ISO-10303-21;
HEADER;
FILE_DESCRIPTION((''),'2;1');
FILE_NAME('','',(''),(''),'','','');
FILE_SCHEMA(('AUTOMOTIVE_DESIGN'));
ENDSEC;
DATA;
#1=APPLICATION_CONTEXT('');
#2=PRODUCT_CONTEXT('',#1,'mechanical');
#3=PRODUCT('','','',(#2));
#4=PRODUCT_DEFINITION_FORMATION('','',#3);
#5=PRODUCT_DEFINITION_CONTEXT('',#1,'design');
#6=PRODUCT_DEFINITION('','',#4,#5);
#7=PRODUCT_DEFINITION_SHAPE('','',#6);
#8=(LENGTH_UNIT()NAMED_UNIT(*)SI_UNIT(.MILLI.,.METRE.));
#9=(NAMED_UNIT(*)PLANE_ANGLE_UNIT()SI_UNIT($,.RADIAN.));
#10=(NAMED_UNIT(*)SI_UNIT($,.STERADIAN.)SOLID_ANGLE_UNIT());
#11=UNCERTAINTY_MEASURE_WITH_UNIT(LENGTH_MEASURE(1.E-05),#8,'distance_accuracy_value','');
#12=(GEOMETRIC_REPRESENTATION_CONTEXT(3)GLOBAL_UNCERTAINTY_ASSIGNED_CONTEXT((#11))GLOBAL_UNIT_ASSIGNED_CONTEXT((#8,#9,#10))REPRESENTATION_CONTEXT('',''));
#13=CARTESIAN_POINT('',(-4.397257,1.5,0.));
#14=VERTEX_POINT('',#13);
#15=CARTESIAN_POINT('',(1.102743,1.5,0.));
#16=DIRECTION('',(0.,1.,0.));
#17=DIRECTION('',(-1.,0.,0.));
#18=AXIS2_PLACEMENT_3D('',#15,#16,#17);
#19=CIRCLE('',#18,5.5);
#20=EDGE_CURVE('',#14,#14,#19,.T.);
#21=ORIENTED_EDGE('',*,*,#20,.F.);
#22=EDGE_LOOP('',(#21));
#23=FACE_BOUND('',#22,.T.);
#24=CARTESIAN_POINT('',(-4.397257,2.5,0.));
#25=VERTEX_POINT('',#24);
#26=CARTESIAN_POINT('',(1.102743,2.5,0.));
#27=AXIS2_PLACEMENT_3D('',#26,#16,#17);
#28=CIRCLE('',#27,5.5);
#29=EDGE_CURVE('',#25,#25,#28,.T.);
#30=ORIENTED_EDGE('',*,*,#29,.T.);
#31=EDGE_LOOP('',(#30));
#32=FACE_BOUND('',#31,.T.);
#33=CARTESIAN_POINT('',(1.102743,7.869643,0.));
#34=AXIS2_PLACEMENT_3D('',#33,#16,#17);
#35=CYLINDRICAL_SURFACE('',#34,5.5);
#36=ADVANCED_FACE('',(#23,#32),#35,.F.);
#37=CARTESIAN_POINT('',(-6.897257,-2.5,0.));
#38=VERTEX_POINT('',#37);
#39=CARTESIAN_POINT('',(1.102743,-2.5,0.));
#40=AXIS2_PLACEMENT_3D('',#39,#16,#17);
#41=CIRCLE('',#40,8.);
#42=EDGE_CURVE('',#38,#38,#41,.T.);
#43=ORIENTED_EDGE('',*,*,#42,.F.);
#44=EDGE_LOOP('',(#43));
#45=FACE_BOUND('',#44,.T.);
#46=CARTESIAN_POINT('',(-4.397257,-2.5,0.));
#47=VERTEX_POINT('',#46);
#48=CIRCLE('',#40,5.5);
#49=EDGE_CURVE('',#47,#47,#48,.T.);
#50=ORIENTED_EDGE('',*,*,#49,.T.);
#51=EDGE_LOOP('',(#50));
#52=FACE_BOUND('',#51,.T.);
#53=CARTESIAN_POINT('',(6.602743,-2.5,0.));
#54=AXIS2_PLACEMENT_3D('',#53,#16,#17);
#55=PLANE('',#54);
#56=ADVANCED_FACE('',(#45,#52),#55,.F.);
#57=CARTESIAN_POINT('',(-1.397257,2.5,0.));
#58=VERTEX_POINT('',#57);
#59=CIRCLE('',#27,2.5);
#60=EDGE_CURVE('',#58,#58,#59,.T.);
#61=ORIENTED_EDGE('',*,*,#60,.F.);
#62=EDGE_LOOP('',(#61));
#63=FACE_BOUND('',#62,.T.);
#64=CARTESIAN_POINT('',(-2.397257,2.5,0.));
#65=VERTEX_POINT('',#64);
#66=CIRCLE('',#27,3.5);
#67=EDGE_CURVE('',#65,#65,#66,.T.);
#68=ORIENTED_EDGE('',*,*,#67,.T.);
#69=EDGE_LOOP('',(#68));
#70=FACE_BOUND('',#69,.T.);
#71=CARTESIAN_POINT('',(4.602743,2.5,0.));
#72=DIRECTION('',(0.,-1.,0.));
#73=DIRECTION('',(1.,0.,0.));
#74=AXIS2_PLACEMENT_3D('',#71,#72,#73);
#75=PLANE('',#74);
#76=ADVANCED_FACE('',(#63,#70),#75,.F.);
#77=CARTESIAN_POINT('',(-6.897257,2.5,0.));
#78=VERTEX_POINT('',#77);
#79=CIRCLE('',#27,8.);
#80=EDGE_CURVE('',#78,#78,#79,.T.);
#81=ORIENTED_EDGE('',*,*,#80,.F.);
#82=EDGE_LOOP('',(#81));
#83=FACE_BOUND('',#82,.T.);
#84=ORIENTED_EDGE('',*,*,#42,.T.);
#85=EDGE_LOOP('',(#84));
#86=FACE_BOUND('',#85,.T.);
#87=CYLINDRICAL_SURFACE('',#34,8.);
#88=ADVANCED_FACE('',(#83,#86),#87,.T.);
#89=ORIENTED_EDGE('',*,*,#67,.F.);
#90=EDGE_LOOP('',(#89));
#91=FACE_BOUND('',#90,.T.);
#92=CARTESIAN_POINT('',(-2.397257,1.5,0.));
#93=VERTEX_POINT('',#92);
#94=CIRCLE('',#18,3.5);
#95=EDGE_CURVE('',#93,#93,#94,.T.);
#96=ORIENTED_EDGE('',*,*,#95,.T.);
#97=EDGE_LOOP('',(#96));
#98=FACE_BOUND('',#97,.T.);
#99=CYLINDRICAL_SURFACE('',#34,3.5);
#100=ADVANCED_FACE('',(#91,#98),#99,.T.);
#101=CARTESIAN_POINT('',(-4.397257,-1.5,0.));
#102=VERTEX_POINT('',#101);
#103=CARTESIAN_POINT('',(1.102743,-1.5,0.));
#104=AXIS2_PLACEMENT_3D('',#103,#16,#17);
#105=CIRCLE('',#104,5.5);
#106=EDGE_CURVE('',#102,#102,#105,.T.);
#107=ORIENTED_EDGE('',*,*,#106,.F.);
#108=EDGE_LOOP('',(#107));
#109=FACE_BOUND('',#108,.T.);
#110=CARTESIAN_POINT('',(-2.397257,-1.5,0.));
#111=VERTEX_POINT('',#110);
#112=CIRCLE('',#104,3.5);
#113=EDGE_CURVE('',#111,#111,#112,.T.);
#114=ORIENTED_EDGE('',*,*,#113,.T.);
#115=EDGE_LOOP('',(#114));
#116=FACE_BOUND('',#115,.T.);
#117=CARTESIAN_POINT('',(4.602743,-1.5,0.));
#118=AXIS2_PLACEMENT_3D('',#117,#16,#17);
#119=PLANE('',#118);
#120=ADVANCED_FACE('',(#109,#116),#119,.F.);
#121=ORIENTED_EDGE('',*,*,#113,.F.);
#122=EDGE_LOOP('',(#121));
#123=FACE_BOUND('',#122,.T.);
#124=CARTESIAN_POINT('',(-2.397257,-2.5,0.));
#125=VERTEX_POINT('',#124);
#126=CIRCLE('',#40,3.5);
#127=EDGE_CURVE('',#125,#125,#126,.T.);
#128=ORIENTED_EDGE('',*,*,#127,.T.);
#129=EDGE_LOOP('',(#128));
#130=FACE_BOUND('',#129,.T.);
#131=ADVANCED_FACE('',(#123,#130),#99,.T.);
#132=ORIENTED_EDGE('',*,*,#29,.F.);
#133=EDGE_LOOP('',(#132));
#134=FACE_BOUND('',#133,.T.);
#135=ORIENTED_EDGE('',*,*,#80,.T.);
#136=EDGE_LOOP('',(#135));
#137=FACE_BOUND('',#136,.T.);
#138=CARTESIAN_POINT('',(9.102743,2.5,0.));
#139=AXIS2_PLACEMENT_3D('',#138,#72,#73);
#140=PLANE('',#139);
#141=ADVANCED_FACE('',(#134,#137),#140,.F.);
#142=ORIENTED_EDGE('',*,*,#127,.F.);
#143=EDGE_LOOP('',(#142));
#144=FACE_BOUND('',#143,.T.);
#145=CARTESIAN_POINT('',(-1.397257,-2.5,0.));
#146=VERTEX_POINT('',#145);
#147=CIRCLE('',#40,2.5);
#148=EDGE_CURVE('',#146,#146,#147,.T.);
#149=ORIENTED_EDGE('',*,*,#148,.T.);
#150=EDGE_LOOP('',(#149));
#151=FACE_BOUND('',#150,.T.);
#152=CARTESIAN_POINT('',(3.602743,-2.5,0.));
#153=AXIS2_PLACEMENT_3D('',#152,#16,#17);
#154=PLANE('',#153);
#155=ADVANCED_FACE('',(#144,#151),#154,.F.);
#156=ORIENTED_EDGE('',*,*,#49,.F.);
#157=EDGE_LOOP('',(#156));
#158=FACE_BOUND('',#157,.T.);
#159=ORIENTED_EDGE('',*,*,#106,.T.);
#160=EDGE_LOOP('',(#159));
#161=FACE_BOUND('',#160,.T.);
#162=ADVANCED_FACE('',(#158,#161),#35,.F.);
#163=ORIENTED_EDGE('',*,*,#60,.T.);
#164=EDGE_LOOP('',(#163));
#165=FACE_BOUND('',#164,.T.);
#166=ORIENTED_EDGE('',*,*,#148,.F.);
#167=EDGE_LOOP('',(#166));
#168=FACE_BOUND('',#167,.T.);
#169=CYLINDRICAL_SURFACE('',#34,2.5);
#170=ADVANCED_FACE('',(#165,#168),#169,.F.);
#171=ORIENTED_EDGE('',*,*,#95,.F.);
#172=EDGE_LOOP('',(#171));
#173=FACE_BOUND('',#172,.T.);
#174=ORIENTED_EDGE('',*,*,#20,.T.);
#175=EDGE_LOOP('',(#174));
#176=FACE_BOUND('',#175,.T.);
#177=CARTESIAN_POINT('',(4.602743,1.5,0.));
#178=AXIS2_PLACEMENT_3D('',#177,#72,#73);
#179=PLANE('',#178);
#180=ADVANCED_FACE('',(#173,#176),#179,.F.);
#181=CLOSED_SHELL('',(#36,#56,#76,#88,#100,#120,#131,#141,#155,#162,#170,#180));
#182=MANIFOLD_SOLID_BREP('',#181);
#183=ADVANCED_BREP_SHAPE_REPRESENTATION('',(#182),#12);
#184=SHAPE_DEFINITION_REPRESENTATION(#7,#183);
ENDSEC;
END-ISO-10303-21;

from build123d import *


with BuildPart() as part:
    # Sketch1 → Revolve1 (revolve)
    with BuildSketch(Plane.XY, mode=Mode.PRIVATE) as revolve1_sk:
        Polygon((3.602742578, -2.5), (4.602742578, -2.5), (4.602742578, -1.5), (6.602742578, -1.5), (6.602742578, -2.5), (9.102742578, -2.5), (9.102742578, 2.5), (6.602742578, 2.5), (6.602742578, 1.5), (4.602742578, 1.5), (4.602742578, 2.5), (3.602742578, 2.5), align=None)
    revolve(revolve1_sk.sketch.rotate(Axis((1.102742578, 7.86964268, 0), (0, -1, 0)), 180), axis=Axis((1.102742578, 7.86964268, 0), (0, -1, 0)))


solid = part.part
